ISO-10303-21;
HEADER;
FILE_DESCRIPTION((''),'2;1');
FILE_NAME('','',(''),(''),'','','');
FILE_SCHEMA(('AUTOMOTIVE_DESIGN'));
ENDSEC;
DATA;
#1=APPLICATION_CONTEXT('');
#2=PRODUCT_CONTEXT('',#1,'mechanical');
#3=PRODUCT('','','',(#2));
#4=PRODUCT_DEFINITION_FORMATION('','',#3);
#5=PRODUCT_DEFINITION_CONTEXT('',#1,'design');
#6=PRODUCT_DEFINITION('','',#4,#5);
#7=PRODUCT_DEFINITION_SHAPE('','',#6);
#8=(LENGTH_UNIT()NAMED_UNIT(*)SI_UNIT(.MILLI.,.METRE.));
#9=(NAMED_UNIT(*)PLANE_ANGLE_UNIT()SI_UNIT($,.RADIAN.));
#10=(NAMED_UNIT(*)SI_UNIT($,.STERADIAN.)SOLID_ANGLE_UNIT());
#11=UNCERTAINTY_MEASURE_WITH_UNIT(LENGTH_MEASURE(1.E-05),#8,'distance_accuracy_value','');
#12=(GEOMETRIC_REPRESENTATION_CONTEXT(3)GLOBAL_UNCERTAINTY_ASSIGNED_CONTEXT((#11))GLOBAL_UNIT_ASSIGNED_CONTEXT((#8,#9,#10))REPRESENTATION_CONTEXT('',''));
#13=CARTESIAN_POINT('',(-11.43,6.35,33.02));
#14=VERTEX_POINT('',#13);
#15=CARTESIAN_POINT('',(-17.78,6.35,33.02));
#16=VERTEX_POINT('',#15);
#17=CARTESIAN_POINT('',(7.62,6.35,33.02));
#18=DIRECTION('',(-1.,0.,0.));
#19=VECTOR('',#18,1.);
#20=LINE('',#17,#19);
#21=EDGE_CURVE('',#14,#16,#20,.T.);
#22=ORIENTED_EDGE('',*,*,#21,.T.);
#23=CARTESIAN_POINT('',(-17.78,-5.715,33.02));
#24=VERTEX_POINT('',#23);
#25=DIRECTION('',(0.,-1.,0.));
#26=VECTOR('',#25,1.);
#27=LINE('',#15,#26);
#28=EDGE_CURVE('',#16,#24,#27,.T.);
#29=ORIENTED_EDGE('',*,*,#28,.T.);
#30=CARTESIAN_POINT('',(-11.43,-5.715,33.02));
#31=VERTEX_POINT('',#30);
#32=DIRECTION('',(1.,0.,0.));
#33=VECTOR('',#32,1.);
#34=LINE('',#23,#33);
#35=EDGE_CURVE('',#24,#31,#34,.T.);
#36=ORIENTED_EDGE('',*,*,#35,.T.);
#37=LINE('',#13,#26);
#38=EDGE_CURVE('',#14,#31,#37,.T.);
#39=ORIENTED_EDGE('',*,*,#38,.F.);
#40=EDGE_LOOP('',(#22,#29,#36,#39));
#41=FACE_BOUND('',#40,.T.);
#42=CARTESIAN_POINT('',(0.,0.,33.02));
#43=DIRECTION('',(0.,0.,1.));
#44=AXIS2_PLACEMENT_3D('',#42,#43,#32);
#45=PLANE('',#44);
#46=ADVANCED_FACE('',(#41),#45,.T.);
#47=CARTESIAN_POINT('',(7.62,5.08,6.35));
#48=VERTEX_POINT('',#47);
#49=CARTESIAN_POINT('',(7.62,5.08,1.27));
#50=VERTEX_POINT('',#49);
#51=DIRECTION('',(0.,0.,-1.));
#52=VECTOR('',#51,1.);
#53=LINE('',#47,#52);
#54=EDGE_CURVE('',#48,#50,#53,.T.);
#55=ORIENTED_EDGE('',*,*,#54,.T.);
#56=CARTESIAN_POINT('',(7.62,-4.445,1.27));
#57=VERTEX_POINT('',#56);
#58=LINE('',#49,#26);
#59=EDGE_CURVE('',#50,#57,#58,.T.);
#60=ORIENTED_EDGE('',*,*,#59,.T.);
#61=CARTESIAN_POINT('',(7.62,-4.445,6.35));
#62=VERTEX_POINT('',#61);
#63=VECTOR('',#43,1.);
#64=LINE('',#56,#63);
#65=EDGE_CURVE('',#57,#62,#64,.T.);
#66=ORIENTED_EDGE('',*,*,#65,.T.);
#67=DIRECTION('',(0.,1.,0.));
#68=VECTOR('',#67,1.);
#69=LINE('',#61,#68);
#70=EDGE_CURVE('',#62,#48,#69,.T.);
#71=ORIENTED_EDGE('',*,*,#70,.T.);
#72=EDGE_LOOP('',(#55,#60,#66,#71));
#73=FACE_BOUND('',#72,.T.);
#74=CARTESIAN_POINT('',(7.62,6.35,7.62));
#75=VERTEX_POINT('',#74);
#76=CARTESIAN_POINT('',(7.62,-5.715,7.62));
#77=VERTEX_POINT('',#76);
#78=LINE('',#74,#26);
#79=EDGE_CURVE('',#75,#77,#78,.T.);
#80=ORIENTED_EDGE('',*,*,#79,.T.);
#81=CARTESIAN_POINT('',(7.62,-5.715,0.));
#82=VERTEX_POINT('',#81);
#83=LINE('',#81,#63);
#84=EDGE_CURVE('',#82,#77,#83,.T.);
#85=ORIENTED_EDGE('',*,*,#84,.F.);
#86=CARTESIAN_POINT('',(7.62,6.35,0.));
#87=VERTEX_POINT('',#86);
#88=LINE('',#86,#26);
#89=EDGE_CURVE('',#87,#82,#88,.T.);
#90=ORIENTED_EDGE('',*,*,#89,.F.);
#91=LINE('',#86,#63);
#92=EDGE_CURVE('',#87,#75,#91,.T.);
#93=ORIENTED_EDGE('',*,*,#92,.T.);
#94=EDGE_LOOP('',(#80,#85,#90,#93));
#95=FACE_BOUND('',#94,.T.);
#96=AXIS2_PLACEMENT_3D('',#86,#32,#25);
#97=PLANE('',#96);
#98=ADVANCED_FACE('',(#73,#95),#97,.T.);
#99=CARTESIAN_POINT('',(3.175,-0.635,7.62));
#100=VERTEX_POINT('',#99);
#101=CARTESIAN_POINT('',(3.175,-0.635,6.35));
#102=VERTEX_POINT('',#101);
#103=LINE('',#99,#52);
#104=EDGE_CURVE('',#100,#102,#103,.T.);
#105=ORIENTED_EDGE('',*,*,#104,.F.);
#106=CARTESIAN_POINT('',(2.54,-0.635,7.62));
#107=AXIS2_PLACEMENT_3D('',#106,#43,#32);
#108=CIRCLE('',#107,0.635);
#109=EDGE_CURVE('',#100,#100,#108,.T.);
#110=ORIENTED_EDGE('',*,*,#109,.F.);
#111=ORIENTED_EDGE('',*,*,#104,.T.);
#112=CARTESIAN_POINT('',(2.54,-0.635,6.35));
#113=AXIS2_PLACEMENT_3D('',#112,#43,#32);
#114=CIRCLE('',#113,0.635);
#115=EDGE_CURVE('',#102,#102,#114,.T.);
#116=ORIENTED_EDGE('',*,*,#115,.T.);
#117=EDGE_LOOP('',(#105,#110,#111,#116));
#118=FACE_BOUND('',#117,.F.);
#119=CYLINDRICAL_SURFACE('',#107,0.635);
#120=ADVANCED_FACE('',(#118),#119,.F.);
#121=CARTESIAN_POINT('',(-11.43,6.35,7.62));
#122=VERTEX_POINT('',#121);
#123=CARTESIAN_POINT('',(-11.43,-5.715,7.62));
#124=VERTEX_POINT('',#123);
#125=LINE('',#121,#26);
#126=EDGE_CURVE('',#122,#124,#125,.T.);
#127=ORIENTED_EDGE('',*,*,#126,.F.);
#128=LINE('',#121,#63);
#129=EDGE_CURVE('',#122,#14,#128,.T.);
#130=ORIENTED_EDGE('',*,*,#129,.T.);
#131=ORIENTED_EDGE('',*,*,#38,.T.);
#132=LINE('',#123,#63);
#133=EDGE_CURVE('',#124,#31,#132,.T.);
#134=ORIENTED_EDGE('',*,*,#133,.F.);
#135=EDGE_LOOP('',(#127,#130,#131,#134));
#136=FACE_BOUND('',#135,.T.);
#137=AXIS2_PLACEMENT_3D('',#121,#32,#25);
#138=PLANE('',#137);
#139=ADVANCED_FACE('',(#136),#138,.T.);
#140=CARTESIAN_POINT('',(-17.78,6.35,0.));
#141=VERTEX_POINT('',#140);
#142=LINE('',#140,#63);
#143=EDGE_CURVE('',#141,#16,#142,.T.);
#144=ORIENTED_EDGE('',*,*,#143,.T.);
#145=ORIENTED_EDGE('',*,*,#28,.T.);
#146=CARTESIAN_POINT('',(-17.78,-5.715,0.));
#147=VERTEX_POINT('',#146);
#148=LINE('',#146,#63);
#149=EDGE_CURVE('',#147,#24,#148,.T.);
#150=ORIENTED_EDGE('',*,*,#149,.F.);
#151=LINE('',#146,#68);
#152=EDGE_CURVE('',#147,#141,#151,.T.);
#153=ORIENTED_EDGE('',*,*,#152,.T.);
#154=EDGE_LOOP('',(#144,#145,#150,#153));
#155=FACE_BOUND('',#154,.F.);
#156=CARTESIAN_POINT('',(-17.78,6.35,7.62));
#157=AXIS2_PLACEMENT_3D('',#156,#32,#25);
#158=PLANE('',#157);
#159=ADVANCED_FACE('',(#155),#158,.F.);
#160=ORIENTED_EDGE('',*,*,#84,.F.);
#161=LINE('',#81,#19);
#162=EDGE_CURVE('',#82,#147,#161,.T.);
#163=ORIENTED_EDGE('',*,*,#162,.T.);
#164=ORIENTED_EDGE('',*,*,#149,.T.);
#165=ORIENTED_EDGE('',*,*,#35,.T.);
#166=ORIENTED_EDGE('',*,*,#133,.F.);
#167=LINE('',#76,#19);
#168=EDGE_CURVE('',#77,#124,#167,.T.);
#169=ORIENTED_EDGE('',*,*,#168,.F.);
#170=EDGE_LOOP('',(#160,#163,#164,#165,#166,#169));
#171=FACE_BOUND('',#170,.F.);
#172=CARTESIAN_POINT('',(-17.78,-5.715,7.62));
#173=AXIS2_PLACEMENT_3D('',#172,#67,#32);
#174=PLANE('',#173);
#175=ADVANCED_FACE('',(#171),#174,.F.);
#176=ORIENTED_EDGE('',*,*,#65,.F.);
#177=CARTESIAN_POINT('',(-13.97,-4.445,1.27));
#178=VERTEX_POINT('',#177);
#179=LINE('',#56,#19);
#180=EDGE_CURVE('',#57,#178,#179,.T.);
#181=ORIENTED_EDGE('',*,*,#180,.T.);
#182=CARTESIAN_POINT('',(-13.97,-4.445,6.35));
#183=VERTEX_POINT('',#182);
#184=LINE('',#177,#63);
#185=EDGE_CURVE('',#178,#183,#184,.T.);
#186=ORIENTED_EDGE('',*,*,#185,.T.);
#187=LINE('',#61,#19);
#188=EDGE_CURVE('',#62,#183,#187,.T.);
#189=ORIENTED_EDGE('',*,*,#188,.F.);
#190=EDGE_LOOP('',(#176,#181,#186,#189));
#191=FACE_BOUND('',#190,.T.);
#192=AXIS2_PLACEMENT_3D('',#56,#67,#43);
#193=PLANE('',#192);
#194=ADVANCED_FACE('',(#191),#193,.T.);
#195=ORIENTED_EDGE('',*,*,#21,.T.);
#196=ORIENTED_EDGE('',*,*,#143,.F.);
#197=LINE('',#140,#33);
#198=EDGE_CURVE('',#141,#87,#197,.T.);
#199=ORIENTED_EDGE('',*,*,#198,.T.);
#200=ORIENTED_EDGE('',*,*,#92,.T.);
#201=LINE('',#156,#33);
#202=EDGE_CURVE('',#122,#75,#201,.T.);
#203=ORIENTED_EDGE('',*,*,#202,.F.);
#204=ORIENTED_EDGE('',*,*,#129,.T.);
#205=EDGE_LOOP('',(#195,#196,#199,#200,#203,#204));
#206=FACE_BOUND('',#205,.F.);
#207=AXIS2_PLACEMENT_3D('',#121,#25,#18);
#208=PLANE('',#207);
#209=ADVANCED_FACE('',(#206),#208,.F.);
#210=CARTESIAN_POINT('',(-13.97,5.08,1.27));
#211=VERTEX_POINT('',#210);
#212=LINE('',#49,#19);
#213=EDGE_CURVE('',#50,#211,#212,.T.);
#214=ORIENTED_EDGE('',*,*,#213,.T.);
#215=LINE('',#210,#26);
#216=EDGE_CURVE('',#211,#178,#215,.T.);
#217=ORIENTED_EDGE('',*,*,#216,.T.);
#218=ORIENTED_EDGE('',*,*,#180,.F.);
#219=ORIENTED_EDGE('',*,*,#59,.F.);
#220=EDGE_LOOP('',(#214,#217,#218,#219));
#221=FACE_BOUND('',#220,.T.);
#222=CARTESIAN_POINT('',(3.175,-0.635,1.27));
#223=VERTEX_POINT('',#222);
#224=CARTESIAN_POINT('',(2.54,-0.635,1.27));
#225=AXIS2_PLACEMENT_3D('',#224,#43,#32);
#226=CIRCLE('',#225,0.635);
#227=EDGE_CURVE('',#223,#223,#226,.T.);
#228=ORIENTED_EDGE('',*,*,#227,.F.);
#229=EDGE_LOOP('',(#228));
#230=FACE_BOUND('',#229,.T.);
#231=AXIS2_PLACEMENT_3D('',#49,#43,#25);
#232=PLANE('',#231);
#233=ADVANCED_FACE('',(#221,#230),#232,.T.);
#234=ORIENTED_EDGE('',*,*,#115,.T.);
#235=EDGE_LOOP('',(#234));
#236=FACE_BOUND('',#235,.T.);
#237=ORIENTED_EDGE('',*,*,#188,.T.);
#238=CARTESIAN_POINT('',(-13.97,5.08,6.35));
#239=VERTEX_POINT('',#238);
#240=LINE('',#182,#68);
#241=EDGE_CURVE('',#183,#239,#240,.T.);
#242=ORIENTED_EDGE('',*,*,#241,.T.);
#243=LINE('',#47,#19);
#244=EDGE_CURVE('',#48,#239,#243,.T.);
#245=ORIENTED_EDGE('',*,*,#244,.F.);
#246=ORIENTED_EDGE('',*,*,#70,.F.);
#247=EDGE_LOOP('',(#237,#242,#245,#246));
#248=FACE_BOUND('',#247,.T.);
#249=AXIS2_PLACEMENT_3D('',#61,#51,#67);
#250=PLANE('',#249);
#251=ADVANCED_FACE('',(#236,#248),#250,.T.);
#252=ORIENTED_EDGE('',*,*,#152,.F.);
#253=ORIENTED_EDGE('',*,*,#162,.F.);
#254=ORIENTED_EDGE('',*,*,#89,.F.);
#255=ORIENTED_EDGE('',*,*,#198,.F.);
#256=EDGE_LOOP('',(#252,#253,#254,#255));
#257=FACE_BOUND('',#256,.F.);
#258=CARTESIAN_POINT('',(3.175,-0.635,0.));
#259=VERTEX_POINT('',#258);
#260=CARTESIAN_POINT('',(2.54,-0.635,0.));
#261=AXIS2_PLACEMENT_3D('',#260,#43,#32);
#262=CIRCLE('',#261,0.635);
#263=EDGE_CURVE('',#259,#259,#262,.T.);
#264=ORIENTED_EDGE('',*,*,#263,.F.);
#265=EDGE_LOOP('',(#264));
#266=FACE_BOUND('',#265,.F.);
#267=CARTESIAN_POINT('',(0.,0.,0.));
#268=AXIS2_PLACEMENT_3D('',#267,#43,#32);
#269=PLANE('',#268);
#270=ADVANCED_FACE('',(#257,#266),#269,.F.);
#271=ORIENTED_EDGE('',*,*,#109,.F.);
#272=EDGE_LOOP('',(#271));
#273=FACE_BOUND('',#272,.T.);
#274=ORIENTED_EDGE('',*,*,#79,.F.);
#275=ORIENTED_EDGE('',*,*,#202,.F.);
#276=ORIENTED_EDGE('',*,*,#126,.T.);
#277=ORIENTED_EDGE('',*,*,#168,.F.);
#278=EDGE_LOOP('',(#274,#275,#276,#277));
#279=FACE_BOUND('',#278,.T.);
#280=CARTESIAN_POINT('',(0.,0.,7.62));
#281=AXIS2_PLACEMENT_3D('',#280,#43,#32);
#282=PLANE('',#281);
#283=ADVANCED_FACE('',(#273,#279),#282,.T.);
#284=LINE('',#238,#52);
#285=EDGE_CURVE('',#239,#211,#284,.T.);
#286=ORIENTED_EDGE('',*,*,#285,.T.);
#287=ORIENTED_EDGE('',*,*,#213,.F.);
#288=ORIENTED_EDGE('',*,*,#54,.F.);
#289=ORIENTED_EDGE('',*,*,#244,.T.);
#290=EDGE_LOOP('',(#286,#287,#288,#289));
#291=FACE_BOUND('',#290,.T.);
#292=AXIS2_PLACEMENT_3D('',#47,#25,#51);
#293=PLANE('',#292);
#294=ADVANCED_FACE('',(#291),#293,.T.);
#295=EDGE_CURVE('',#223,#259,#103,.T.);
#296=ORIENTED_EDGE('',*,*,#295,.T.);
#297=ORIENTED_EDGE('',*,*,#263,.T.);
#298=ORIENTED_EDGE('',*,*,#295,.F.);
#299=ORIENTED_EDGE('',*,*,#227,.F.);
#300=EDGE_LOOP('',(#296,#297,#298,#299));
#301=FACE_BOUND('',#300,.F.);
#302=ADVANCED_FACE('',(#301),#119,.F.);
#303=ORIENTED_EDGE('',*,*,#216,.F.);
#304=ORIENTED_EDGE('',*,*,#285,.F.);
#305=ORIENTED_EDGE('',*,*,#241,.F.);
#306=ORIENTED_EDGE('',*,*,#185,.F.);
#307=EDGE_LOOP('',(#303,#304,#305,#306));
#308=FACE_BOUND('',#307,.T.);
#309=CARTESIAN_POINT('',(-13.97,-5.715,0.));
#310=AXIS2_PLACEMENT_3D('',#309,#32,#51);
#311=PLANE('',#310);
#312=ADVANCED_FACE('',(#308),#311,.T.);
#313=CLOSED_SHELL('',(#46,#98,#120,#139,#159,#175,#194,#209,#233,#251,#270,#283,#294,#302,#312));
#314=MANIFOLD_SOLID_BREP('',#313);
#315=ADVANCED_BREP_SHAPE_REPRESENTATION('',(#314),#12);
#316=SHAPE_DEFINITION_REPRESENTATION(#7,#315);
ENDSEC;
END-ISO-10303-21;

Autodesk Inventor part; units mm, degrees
ref_plane "YZ Plane" through (0, 0, 0) normal (1, 0, 0) x (0, 1, 0)
ref_plane "XZ Plane" through (0, 0, 0) normal (0, 1, 0) x (-1, 0, 0)
ref_plane "XY Plane" through (0, 0, 0) normal (0, 0, 1) x (1, 0, 0)
sketch "Sketch1" plane through (0, 0, 0) normal (0, 0, 1) x (1, 0, 0)
  line L0 (-17.78, 6.35) -> (7.62, 6.35)
  line L1 (7.62, 6.35) -> (7.62, -5.715)
  line L2 (7.62, -5.715) -> (-17.78, -5.715)
  line L3 (-17.78, -5.715) -> (-17.78, 6.35)
  point P0 (0, 0)
  dimension "d0" = 25.4
  dimension "d1" = 12.065
  dimension "d2" = 7.62
  dimension "d3" = 6.35
extrude "Extrusion1" add sketch "Sketch1" along normal blind 7.62
sketch "Sketch2" plane through (7.62, -5.715, 0) normal (1, 0, 0) x (0, 0, -1)
  line L0 (-6.35, 10.795) -> (-1.27, 10.795)
  line L1 (-1.27, 10.795) -> (-1.27, 1.27)
  line L2 (-1.27, 1.27) -> (-6.35, 1.27)
  line L3 (-6.35, 1.27) -> (-6.35, 10.795)
  line L4 (-7.62, 0) -> (-7.62, 12.065) projected
  line L5 (0, 12.065) -> (-7.62, 12.065) projected
  line L6 (0, 12.065) -> (0, 0) projected
  line L7 (0, 0) -> (-7.62, 0) projected
  point P0 (0, 5.715)
  dimension "d8" = 1.27
  dimension "d9" = 1.27
  dimension "d23" = 1.27
  dimension "d24" = 1.27
extrude "Extrusion2" cut sketch "Sketch2" against normal blind 21.59 contours L0 L1 L2 L3
sketch "Sketch3" plane through (0, 0, 7.62) normal (0, 0, 1) x (1, 0, 0)
  line L0 (-17.78, 6.35) -> (-17.78, -5.715) projected
  line L1 (7.62, 6.35) -> (-17.78, 6.35) projected
  line L2 (-17.78, -5.715) -> (7.62, -5.715) projected
  line L3 (-17.78, 6.35) -> (-11.43, 6.35)
  line L4 (-11.43, 6.35) -> (-11.43, -5.715)
  line L5 (-11.43, -5.715) -> (-17.78, -5.715)
  line L6 (-17.78, -5.715) -> (-17.78, 6.35)
  point P0 (0, 0)
  dimension "d26" = 6.35
extrude "Extrusion3" add sketch "Sketch3" along normal blind 25.4
sketch "Sketch4" plane through (0, 0, 7.62) normal (0, 0, 1) x (1, 0, 0)
  circle A0 centre (2.54, -0.635) radius 0.635
  line L0 (7.62, 6.35) -> (-17.78, 6.35) projected
  point P0 (0, 0)
  point P1 (-11.43, 6.35)
  dimension "d18" = 1.27
  dimension "d20" = 6.985
  dimension "d25" = 2.54
extrude "Extrusion4" cut sketch "Sketch4" against normal blind 50.8
properties part number "hollowPart"
